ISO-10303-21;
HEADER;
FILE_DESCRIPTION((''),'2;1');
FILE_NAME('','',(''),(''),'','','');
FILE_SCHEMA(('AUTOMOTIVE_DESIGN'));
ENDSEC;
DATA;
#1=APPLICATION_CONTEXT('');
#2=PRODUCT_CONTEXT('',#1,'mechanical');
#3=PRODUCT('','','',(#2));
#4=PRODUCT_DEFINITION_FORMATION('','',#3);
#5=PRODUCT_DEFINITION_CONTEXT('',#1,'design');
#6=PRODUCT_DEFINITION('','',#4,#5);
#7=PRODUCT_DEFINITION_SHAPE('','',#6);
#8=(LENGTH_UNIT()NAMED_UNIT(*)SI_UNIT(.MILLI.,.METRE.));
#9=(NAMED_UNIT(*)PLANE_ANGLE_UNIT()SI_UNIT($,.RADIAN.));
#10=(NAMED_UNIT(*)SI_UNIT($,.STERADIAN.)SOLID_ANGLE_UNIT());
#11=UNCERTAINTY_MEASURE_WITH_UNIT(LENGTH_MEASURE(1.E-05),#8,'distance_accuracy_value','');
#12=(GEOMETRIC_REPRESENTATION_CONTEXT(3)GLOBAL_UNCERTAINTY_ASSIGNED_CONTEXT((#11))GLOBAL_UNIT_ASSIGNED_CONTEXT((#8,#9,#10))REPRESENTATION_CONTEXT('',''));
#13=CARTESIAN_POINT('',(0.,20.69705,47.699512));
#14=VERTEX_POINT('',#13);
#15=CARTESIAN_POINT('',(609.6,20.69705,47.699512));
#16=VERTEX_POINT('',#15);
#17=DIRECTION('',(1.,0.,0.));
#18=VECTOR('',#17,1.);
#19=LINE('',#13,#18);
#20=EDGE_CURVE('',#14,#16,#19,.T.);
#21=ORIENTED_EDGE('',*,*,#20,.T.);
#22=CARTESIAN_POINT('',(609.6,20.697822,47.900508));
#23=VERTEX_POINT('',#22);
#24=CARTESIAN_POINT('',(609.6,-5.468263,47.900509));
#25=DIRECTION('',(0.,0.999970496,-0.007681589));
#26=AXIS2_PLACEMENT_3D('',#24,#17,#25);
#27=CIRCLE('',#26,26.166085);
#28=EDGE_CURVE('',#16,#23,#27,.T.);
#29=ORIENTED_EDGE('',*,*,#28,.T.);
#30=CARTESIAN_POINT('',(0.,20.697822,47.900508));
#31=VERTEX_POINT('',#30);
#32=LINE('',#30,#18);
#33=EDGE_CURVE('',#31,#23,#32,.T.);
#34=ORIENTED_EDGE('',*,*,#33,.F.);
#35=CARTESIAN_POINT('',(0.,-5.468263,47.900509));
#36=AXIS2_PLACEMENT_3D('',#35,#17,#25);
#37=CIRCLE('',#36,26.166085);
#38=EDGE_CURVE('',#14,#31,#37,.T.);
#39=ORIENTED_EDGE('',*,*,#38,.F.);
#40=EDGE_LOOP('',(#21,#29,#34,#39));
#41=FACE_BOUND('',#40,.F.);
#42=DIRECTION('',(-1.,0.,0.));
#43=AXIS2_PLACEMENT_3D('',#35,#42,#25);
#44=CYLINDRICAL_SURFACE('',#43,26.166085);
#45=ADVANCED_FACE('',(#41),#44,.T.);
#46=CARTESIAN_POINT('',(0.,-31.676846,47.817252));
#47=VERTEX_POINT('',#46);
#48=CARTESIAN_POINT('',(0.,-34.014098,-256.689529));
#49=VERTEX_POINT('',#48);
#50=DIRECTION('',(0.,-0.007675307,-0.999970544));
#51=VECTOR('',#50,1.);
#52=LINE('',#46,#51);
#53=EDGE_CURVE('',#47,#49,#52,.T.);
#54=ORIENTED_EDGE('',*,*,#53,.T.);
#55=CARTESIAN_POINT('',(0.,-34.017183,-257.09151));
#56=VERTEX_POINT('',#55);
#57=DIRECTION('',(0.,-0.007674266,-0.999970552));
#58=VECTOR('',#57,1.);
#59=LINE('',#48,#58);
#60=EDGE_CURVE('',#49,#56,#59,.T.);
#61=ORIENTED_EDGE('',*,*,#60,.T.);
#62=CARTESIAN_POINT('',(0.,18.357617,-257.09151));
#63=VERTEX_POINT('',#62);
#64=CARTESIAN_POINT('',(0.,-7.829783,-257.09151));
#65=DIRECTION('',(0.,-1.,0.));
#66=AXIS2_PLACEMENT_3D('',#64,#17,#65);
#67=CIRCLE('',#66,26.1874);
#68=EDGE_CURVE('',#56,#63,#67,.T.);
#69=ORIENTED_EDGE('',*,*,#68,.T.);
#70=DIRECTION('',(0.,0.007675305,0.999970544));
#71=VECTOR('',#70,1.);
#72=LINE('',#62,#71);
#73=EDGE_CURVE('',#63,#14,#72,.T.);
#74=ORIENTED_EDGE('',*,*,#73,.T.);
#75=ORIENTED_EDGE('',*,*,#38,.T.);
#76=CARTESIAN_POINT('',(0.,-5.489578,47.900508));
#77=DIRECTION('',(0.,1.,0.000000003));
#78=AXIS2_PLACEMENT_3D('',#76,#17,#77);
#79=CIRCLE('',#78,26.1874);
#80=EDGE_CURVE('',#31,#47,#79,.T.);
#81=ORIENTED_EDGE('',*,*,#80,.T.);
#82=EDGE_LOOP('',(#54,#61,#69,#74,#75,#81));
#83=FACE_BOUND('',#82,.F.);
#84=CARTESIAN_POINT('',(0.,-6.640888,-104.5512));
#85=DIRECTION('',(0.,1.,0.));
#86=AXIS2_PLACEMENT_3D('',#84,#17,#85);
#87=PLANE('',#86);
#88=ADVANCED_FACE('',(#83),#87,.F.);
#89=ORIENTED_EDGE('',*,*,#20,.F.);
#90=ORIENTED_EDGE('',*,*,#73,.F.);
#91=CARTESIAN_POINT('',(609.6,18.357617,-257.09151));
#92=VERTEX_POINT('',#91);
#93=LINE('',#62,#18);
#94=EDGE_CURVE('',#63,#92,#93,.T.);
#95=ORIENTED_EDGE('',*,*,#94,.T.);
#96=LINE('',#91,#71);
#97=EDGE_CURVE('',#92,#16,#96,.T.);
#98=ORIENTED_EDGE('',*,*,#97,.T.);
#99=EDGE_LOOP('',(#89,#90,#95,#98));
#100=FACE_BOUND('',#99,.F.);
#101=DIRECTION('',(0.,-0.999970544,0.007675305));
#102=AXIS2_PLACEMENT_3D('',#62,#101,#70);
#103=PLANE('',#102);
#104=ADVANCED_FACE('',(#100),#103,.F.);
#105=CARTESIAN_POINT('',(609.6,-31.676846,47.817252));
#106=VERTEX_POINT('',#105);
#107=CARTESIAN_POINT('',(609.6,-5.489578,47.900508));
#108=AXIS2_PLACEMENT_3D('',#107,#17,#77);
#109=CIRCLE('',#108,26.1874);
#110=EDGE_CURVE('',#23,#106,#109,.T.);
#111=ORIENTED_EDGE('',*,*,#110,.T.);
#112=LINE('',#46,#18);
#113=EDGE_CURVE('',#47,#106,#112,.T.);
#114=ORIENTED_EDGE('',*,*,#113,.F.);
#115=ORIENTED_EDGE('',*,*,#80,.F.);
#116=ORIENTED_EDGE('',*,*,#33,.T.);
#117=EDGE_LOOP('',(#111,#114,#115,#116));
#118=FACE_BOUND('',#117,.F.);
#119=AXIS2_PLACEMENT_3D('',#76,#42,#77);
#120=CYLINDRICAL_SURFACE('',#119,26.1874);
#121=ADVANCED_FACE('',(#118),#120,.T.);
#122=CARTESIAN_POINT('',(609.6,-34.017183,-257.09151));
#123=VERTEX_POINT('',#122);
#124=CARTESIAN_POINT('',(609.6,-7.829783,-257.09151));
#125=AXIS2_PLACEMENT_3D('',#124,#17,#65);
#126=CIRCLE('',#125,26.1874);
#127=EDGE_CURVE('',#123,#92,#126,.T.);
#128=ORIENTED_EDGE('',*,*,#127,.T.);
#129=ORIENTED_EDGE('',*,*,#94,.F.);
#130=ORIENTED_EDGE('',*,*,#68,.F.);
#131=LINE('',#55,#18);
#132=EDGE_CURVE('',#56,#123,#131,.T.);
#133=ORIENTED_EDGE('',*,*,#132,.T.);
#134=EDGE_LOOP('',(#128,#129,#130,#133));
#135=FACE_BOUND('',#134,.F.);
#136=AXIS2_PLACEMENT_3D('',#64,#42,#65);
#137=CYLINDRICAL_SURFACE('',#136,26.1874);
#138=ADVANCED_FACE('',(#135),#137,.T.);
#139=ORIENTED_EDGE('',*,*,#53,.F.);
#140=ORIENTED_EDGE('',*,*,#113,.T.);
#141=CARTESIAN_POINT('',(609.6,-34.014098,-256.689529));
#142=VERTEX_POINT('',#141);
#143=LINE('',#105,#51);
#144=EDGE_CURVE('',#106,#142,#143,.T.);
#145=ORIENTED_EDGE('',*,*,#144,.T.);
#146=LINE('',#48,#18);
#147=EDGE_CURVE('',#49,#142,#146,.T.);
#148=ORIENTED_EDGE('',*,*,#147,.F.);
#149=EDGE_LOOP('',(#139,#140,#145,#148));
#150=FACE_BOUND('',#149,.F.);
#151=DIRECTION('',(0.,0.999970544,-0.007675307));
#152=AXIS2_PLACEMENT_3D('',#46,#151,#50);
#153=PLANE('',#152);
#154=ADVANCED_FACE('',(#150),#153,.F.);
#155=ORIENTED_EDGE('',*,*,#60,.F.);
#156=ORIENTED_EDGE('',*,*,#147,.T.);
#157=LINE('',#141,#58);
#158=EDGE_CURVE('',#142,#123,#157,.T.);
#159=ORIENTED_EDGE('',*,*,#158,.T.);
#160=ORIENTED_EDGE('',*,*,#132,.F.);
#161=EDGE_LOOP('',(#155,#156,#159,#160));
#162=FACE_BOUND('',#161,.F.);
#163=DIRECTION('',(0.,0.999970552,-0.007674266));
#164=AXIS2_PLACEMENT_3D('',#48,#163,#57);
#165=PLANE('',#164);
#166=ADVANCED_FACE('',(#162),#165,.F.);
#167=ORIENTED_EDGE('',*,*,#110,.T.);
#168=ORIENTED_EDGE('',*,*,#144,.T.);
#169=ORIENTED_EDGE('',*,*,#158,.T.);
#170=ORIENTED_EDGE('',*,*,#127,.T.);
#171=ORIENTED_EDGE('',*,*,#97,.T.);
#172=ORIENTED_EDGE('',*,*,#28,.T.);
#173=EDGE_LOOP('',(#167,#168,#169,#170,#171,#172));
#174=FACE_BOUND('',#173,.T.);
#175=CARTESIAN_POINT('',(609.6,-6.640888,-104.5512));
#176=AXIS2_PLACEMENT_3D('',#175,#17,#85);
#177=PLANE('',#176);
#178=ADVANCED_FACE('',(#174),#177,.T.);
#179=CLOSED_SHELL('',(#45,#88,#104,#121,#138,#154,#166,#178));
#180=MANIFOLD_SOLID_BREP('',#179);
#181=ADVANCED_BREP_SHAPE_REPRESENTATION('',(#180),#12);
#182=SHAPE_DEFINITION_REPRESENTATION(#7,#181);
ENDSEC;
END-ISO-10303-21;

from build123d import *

# Parameters (mm, degrees)
F1_DEPTH = 609.6


with BuildPart() as f1:
    # F0 (on Right) → F1 (new body)
    with BuildSketch(Plane.YZ):
        with BuildLine():
            ThreePointArc((20.69705, 47.699512), (-5.548449, 21.713175), (-31.676846, 47.817252))
            Line((-31.676846, 47.817252), (-34.014098, -256.689529))
            ThreePointArc((-34.014098, -256.689529), (-7.628787, -230.904881), (18.357617, -257.09151))
            Line((18.357617, -257.09151), (20.69705, 47.699512))
        make_face()
        with BuildLine():
            ThreePointArc((18.357617, -257.09151), (-7.628787, -230.904881), (-34.014098, -256.689529))
            Line((-34.014098, -256.689529), (-34.017183, -257.09151))
            ThreePointArc((-34.017183, -257.09151), (-7.829783, -283.27891), (18.357617, -257.09151))
        make_face()
        with BuildLine():
            ThreePointArc((20.69705, 47.699512), (20.697629, 47.80001), (20.697822, 47.900508))
            ThreePointArc((20.697822, 47.900508), (-5.531207, 74.087875), (-31.676846, 47.817252))
            ThreePointArc((-31.676846, 47.817252), (-5.548449, 21.713175), (20.69705, 47.699512))
        make_face()
    extrude(amount=F1_DEPTH)


solid = f1.part
